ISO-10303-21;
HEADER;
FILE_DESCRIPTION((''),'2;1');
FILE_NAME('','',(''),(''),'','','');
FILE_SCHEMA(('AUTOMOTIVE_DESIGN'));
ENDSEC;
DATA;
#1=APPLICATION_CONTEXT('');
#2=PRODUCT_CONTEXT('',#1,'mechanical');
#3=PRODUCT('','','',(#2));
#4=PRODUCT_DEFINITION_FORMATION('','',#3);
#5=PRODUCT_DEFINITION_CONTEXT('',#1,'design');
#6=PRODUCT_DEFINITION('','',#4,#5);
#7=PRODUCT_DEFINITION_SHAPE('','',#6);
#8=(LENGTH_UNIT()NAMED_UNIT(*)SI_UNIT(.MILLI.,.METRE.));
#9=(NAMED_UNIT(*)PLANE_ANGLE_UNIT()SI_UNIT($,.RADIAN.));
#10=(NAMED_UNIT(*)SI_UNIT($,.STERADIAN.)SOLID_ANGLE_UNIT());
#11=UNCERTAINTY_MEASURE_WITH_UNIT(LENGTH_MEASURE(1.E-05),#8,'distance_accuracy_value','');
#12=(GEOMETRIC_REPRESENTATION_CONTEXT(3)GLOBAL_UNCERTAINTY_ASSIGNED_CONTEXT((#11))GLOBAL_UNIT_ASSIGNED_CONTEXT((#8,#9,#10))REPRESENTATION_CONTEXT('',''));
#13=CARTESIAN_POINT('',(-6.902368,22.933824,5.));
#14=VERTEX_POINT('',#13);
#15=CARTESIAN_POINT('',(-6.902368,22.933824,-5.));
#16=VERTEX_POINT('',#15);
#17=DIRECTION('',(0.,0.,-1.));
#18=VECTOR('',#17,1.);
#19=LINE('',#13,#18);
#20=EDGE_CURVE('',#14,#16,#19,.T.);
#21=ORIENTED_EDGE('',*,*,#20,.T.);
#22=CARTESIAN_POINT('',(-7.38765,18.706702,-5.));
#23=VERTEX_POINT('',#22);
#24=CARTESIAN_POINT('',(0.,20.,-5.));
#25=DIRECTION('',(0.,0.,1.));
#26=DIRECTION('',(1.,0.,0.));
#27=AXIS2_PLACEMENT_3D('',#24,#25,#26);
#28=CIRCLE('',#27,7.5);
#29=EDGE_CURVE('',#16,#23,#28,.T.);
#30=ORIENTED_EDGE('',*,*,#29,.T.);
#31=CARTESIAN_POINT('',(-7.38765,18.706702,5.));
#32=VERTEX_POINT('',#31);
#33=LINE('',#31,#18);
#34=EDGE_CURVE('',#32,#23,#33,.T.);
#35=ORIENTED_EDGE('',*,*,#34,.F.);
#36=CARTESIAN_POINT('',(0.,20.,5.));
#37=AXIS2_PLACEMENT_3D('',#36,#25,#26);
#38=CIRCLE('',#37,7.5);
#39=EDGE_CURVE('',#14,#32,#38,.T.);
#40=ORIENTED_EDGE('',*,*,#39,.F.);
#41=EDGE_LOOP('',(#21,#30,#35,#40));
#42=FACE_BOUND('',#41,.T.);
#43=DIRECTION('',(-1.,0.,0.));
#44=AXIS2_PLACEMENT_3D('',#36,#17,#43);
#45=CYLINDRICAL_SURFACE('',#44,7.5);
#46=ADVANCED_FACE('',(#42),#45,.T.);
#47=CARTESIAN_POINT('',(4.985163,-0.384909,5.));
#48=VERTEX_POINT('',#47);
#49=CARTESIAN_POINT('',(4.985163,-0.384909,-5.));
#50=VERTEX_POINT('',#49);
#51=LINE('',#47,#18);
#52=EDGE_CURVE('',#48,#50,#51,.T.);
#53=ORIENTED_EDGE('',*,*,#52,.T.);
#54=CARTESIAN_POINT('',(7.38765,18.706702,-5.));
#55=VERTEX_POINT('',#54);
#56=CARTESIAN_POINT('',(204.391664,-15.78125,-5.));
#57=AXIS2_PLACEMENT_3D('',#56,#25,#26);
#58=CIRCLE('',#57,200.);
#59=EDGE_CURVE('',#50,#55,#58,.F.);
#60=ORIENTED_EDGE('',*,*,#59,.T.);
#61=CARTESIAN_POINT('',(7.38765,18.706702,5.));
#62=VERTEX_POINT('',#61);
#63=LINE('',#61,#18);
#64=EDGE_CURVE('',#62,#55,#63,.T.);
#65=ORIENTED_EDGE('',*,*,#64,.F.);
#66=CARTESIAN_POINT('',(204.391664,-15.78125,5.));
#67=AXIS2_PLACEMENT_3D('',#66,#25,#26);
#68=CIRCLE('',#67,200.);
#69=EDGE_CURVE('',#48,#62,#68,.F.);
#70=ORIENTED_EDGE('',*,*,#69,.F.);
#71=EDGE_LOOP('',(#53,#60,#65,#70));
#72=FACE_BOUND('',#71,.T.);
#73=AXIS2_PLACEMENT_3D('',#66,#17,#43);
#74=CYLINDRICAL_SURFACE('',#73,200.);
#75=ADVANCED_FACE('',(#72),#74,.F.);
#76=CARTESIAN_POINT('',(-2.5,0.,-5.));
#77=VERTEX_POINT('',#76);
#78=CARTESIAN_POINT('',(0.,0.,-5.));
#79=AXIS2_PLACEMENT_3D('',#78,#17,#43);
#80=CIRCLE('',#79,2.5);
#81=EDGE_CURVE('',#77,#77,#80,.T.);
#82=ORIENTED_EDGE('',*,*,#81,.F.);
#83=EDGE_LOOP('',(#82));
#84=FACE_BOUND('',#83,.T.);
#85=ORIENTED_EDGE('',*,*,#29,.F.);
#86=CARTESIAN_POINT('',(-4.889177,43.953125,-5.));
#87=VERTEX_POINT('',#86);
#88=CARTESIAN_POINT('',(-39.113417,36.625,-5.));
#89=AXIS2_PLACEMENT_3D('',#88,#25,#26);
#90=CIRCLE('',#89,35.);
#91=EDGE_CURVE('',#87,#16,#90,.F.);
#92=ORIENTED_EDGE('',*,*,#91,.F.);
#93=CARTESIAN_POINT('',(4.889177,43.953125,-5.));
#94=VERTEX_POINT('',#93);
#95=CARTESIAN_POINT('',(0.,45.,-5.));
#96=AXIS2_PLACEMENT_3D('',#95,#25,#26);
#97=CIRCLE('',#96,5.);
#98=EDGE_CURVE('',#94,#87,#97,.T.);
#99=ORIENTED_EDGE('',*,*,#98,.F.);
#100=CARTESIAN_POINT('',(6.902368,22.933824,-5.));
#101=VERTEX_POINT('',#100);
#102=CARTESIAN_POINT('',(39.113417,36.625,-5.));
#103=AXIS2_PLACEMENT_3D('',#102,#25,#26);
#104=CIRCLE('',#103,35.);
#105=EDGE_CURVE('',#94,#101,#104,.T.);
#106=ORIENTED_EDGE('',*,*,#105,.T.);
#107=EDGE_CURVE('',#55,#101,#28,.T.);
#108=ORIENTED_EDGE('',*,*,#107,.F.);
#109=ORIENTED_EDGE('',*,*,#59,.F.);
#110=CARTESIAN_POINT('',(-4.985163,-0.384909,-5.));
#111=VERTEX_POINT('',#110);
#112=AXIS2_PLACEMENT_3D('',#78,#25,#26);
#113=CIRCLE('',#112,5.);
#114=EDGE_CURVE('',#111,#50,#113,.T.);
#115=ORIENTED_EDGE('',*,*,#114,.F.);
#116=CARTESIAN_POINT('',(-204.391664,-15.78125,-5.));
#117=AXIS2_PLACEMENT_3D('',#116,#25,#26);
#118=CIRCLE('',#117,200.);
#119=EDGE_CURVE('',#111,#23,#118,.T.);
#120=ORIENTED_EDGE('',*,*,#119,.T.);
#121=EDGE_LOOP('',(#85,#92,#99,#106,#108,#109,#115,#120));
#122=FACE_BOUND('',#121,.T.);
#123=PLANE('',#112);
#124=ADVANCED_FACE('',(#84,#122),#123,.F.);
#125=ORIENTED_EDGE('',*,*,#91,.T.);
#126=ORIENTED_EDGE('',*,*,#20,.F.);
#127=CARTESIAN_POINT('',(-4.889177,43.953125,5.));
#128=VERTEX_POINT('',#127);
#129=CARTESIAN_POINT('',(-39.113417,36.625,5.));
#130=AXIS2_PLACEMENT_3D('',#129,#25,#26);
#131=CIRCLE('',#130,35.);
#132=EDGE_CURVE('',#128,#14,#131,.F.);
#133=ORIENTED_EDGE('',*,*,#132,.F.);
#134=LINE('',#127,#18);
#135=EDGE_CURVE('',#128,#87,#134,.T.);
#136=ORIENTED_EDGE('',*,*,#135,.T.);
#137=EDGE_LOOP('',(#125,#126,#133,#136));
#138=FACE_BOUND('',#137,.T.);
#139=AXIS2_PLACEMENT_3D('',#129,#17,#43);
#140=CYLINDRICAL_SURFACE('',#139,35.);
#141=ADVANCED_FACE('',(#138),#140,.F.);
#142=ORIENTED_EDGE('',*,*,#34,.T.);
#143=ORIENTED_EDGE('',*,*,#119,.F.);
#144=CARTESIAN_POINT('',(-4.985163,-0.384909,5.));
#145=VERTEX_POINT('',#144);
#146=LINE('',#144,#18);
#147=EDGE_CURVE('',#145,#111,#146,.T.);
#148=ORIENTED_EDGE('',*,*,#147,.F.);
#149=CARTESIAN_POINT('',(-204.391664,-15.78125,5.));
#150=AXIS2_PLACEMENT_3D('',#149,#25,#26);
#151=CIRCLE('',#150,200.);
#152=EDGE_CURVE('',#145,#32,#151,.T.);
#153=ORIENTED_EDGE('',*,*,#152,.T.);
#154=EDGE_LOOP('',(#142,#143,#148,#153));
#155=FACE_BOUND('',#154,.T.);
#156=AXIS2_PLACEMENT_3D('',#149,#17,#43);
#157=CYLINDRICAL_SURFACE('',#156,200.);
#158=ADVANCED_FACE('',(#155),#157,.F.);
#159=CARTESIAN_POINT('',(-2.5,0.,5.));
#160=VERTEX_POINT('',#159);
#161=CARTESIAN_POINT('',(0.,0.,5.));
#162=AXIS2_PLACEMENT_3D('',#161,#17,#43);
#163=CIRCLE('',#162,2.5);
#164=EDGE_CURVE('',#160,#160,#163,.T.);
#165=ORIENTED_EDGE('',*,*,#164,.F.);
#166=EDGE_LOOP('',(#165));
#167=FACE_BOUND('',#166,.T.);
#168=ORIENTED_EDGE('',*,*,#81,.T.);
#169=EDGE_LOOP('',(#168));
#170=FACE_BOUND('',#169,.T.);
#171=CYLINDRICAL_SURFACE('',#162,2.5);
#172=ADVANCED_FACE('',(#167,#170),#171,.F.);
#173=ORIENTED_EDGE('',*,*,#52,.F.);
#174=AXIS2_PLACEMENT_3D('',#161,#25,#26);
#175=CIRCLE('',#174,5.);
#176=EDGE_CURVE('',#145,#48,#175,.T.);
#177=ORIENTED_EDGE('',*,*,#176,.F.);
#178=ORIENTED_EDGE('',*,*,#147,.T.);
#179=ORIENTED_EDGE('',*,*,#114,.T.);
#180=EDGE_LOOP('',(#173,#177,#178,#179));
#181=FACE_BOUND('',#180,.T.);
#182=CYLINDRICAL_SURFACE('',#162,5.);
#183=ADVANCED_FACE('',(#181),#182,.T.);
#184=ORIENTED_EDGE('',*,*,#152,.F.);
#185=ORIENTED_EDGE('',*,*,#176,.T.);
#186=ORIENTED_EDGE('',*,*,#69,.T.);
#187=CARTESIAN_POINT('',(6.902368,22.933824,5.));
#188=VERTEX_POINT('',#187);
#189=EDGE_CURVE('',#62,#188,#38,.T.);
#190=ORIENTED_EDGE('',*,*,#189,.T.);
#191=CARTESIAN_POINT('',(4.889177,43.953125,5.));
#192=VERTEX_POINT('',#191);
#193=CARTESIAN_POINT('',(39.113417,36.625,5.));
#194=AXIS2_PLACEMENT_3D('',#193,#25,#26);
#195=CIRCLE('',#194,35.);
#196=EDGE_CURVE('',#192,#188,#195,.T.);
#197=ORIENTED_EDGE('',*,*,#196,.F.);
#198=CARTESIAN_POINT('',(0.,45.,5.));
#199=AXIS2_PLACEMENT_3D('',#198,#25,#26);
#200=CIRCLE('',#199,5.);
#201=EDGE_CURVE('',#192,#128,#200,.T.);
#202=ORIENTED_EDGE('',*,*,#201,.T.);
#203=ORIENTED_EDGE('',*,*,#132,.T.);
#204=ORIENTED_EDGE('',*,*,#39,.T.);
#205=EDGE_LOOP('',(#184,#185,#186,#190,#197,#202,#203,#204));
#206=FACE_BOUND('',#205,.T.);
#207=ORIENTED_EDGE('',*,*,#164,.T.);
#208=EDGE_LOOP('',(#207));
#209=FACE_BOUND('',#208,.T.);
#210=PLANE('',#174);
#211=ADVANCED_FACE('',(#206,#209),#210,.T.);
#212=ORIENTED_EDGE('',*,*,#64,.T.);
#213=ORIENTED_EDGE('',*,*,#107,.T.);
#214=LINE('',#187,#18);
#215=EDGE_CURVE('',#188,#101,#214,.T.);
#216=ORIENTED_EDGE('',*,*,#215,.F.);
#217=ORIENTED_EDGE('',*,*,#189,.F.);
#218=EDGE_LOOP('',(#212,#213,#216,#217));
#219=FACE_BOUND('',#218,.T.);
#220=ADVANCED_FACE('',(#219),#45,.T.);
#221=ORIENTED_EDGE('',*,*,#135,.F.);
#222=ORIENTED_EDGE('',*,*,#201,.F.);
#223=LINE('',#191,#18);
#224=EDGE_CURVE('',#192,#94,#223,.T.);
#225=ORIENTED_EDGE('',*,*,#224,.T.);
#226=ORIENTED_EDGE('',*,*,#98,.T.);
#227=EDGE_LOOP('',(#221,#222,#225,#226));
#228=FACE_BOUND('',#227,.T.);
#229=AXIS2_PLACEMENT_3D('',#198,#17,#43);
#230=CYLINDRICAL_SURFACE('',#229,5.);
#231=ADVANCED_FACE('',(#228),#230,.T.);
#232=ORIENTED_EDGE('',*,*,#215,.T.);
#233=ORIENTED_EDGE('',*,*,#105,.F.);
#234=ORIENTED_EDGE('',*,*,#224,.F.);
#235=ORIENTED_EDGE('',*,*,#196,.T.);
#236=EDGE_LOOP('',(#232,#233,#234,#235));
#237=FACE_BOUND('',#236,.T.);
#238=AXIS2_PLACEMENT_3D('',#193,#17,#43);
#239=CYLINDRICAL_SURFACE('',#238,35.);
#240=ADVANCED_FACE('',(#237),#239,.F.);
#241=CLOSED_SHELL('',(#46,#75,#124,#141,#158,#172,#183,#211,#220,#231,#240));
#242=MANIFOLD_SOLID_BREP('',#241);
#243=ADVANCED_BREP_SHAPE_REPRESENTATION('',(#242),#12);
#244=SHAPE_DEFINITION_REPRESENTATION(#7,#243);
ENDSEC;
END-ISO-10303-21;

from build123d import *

# Parameters (mm, degrees)
SKETCH1_R           = 5
SKETCH1_R_2         = 7.5
BOSS_EXTRUDE1_DEPTH = 5
SKETCH2_R           = 2.5
CUT_EXTRUDE1_DEPTH  = 10


with BuildPart() as part:
    # Sketch1 → Boss-Extrude1 (new, symmetric)
    with BuildSketch(Plane.XY):
        with BuildLine():
            ThreePointArc((-4.889177102, 43.953125), (-4.272856259, 33.288034301), (-6.902367673, 22.933823529))
            ThreePointArc((-6.902367673, 22.933823529), (0, 27.5), (6.902367673, 22.933823529))
            ThreePointArc((6.902367673, 22.933823529), (4.272856259, 33.288034301), (4.889177102, 43.953125))
            ThreePointArc((4.889177102, 43.953125), (0, 40), (-4.889177102, 43.953125))
        make_face()
        with Locations((0, 45)):
            Circle(SKETCH1_R)
        with Locations((0, 20)):
            Circle(SKETCH1_R_2)
        with BuildLine():
            ThreePointArc((-4.985162527, -0.384908537), (-0.192597204, 4.996289255), (5, 0))
            ThreePointArc((5, 0), (4.996289255, -0.192597204), (4.985162527, -0.384908537))
            ThreePointArc((4.985162527, -0.384908537), (5.956670882, 9.189806563), (7.387650492, 18.706701807))
            ThreePointArc((7.387650492, 18.706701807), (0, 12.5), (-7.387650492, 18.706701807))
            ThreePointArc((-7.387650492, 18.706701807), (-5.956670882, 9.189806563), (-4.985162527, -0.384908537))
        make_face()
        Circle(SKETCH1_R)
    extrude(amount=BOSS_EXTRUDE1_DEPTH, both=True)

    # Sketch2 → Cut-Extrude1 (cut)
    with BuildSketch(Plane(origin=(0, 0, -5), x_dir=(-1, 0, 0), z_dir=(0, 0, -1))):
        Circle(SKETCH2_R)
    extrude(amount=-CUT_EXTRUDE1_DEPTH, mode=Mode.SUBTRACT)


solid = part.part
